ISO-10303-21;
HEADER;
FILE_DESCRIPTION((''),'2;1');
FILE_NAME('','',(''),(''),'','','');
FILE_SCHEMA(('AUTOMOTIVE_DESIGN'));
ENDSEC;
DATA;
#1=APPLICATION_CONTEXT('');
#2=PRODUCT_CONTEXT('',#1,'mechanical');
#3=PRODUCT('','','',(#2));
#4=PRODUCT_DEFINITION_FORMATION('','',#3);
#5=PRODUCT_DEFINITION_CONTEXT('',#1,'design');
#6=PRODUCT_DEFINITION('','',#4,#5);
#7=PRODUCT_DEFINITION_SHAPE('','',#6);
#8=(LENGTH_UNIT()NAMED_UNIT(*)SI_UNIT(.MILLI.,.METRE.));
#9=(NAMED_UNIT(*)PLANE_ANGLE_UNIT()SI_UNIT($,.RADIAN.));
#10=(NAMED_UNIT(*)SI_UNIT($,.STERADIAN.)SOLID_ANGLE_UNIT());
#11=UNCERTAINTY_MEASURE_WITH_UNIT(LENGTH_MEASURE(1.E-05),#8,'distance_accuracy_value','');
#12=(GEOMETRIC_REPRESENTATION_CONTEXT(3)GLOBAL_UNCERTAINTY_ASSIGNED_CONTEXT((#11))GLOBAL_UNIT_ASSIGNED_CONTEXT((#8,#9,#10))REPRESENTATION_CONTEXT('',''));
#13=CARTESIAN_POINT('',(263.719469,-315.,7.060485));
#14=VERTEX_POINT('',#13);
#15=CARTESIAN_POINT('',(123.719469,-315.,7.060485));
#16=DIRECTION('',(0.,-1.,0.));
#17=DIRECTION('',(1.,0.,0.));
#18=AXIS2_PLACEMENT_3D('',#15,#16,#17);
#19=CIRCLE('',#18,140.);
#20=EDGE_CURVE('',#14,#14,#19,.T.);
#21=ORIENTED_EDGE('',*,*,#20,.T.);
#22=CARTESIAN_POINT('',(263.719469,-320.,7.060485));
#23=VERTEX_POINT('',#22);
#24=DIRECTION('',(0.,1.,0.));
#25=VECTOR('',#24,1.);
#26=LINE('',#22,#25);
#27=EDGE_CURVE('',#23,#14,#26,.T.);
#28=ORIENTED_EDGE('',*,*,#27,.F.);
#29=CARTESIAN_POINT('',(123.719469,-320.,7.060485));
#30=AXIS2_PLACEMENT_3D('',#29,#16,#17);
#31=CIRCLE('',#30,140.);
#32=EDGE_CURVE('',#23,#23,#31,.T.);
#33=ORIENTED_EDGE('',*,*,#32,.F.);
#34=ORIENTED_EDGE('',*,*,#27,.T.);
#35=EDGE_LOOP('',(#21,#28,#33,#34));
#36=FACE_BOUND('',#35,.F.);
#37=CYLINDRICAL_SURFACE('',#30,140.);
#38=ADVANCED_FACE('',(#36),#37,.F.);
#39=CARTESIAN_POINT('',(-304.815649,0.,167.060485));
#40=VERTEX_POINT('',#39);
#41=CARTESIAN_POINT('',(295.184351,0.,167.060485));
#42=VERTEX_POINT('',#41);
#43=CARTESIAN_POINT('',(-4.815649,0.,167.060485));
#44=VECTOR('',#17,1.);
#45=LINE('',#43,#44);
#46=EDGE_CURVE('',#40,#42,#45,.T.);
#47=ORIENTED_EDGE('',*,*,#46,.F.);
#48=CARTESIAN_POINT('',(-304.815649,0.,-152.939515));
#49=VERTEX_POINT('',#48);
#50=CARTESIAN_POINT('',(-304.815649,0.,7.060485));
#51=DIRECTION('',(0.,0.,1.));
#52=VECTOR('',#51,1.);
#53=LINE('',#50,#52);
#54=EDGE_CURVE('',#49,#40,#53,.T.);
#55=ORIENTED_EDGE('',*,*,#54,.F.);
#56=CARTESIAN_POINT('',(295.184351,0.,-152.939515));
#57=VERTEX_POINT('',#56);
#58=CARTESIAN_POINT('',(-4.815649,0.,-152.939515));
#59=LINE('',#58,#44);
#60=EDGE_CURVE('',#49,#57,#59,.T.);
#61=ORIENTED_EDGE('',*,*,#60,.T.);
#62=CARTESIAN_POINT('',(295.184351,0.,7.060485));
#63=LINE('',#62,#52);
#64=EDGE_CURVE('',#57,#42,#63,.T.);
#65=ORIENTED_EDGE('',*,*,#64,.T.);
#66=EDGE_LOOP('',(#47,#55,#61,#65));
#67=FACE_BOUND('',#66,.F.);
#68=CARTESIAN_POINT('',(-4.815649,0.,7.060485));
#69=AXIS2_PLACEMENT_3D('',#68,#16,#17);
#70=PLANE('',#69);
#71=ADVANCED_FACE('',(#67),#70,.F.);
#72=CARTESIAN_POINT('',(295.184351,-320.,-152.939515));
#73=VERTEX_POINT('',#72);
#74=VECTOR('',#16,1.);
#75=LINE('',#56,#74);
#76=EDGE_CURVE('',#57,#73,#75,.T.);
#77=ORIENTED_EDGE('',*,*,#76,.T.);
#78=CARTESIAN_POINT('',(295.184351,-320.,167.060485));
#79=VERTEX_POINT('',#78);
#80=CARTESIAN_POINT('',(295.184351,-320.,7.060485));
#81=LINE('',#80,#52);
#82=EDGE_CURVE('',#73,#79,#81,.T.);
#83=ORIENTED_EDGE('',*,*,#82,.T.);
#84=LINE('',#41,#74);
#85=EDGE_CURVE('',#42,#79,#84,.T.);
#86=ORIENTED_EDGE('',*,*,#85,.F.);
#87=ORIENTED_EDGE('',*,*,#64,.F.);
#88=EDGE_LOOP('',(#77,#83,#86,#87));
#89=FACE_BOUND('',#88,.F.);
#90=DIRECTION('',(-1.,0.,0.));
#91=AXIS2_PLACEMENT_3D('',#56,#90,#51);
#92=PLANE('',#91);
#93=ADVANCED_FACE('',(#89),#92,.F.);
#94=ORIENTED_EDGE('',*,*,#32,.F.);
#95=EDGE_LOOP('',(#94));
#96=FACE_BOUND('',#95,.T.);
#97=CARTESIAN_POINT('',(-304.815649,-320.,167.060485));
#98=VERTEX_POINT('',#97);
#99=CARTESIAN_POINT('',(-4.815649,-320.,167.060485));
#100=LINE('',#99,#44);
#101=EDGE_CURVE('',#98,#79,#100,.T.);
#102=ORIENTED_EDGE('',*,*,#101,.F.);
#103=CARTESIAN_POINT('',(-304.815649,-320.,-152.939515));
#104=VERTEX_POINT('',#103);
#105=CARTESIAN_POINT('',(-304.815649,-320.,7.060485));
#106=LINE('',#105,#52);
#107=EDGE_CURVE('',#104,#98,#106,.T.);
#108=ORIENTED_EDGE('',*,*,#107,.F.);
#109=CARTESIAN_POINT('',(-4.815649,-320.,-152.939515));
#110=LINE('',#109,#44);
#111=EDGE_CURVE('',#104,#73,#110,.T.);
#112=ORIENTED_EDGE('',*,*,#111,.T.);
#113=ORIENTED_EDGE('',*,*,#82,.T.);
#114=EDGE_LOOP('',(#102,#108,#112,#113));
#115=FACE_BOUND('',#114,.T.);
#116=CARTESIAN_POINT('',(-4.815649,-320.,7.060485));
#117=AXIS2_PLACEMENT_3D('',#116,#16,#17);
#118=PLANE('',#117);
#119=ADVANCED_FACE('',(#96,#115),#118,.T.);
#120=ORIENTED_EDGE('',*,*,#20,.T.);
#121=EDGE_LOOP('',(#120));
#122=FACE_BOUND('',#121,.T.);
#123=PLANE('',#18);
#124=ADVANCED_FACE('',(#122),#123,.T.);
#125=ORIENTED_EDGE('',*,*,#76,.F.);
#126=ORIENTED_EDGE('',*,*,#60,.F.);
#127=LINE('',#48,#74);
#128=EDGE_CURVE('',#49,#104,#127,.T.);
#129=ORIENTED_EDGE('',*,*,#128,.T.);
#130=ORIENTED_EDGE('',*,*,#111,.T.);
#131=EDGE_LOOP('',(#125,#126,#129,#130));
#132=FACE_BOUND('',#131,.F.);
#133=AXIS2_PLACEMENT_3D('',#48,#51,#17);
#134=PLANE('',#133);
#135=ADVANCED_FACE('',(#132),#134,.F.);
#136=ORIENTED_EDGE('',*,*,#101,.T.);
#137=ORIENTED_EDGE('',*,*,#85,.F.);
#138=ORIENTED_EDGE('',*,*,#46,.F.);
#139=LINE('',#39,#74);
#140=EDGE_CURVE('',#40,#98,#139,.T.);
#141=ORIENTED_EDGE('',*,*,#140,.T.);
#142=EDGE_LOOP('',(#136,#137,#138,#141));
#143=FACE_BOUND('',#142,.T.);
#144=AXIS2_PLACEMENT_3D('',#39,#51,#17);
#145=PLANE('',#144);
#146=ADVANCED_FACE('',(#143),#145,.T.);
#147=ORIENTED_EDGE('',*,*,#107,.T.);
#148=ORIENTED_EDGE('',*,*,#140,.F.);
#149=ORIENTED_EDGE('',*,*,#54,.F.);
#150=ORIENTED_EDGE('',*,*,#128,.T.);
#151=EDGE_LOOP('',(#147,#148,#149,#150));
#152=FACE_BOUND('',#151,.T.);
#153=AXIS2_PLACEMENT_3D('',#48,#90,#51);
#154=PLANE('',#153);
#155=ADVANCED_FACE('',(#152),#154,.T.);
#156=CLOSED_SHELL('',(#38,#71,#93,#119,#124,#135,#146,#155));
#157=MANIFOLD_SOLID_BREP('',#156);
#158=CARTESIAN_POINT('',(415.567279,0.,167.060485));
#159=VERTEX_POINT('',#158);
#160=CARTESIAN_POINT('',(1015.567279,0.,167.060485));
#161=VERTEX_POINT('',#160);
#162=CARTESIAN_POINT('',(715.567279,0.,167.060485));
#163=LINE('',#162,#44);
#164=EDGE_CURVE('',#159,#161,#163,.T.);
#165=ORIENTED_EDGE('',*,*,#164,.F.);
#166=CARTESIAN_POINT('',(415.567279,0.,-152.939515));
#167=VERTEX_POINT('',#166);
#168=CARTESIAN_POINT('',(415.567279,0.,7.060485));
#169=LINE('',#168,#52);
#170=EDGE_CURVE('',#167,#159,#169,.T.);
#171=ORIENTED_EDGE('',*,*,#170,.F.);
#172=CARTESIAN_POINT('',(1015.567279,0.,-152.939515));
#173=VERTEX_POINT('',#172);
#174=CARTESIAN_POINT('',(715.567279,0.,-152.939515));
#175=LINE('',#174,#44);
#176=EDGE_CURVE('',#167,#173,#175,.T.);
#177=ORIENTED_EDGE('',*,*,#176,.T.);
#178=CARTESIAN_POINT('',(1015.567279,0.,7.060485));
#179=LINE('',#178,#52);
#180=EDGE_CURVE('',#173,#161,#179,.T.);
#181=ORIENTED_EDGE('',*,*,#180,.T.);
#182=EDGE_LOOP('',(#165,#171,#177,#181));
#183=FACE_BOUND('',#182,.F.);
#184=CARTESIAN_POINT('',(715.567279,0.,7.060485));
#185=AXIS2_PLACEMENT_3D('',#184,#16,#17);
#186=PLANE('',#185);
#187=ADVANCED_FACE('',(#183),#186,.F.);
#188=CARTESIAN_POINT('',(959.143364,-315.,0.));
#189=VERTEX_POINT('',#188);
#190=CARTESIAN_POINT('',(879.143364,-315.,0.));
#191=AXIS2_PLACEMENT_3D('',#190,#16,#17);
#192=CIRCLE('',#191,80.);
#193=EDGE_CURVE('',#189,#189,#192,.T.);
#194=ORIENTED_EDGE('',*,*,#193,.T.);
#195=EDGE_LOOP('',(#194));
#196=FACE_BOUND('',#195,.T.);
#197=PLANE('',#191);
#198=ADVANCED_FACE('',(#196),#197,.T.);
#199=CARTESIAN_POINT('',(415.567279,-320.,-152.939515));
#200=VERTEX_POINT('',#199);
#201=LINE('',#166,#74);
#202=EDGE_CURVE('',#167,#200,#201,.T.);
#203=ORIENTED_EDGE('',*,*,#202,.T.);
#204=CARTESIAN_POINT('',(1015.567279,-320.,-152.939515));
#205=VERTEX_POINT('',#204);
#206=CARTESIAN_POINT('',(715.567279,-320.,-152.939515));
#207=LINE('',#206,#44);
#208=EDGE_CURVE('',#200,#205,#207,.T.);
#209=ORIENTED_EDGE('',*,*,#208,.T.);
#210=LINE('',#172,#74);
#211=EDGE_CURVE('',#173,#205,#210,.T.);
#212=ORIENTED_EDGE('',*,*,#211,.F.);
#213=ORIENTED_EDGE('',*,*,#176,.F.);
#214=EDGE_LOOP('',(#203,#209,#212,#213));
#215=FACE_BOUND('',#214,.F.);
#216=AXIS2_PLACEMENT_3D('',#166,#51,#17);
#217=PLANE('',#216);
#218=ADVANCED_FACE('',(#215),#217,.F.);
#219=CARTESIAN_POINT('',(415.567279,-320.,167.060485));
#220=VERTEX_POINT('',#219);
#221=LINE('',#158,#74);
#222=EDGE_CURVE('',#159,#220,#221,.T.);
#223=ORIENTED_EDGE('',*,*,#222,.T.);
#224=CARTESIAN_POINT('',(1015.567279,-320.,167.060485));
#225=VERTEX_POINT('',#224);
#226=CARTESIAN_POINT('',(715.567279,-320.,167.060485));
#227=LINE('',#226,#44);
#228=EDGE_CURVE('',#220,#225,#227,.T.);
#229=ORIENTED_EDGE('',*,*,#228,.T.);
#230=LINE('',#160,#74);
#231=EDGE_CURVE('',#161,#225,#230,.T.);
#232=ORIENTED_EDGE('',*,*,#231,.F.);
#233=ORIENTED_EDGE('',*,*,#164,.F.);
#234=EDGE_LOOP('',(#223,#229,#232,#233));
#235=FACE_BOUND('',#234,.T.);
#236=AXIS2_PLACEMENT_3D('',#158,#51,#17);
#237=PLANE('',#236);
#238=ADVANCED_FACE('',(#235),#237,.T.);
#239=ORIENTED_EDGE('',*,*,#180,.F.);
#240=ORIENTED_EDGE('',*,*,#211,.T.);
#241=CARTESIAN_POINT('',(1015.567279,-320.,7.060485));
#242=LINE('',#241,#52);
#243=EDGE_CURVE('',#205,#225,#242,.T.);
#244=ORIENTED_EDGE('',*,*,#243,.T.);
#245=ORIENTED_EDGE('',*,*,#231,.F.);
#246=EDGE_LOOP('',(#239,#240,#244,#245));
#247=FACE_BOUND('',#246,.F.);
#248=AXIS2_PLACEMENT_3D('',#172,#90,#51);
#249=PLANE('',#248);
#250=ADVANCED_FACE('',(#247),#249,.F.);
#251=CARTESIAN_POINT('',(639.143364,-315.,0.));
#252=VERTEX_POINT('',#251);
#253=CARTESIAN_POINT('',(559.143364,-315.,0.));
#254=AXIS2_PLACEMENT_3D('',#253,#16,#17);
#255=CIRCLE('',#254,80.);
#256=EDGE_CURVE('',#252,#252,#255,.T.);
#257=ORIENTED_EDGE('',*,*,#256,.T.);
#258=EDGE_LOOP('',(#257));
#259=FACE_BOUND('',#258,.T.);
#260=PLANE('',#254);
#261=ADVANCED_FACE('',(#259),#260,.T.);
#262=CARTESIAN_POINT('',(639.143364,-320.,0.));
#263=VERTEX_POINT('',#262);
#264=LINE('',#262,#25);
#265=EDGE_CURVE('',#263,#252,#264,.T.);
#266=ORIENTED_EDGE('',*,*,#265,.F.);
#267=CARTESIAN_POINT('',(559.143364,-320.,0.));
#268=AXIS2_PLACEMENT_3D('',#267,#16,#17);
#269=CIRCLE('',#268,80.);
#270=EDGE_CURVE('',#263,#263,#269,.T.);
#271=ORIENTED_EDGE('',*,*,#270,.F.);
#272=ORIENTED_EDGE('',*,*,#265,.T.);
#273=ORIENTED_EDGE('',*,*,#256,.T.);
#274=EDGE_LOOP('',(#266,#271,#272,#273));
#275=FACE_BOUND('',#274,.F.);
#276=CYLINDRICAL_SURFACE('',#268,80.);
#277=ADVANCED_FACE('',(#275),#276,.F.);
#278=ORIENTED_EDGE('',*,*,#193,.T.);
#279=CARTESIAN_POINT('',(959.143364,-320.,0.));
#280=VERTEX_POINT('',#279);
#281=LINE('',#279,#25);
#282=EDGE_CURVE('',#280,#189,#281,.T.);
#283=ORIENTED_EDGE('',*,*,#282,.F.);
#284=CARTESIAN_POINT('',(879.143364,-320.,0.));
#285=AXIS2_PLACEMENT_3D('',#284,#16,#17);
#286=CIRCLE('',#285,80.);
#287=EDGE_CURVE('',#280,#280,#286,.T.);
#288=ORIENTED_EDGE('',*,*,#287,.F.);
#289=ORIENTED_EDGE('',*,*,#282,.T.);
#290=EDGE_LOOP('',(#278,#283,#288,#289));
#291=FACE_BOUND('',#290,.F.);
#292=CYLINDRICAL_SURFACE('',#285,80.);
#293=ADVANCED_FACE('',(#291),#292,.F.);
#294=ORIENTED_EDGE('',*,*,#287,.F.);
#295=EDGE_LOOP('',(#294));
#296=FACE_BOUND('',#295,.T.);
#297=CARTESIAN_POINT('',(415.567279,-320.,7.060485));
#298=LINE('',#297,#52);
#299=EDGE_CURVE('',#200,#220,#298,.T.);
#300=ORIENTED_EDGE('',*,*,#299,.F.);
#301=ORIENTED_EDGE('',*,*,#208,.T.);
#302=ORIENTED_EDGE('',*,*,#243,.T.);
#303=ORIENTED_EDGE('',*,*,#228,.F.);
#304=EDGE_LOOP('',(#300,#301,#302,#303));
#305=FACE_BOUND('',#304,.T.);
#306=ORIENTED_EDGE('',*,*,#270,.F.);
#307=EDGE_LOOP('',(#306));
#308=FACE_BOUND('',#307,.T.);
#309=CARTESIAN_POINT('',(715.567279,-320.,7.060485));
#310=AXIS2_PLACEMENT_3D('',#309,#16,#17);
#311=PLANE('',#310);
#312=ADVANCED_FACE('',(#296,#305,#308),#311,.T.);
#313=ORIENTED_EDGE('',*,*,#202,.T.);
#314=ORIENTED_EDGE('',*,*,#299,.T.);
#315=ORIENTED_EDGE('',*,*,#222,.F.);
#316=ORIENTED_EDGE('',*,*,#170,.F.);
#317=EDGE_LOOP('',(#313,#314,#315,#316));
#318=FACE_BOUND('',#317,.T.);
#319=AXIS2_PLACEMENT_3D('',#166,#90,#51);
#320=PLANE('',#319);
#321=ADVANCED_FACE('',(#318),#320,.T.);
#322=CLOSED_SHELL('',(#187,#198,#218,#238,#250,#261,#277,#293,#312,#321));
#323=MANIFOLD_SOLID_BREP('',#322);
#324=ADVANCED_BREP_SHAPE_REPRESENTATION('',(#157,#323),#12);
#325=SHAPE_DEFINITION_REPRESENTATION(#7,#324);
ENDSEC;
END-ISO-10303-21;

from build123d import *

# Parameters (mm, degrees)
F0_W     = 600
F0_H     = 320
F1_DEPTH = 320
F2_R     = 140
F2_R_2   = 80
F3_DEPTH = 5


with BuildPart() as f1:
    # F0 (on Front) → F1 (new body)
    with BuildSketch(Plane.XZ):
        with Locations((-4.815649, 7.060485)):
            Rectangle(F0_W, F0_H)
        with Locations((715.567279, 7.060485)):
            Rectangle(F0_W, F0_H)
    extrude(amount=F1_DEPTH)

    # F2 (on face) → F3 (cut)
    with BuildSketch(Plane.XZ.offset(320)):
        with Locations((123.719469, 7.060485)):
            Circle(F2_R)
        with Locations((559.143364, 0)):
            Circle(F2_R_2)
        with Locations((879.143364, 0)):
            Circle(F2_R_2)
    extrude(amount=-F3_DEPTH, mode=Mode.SUBTRACT)


solid = f1.part
